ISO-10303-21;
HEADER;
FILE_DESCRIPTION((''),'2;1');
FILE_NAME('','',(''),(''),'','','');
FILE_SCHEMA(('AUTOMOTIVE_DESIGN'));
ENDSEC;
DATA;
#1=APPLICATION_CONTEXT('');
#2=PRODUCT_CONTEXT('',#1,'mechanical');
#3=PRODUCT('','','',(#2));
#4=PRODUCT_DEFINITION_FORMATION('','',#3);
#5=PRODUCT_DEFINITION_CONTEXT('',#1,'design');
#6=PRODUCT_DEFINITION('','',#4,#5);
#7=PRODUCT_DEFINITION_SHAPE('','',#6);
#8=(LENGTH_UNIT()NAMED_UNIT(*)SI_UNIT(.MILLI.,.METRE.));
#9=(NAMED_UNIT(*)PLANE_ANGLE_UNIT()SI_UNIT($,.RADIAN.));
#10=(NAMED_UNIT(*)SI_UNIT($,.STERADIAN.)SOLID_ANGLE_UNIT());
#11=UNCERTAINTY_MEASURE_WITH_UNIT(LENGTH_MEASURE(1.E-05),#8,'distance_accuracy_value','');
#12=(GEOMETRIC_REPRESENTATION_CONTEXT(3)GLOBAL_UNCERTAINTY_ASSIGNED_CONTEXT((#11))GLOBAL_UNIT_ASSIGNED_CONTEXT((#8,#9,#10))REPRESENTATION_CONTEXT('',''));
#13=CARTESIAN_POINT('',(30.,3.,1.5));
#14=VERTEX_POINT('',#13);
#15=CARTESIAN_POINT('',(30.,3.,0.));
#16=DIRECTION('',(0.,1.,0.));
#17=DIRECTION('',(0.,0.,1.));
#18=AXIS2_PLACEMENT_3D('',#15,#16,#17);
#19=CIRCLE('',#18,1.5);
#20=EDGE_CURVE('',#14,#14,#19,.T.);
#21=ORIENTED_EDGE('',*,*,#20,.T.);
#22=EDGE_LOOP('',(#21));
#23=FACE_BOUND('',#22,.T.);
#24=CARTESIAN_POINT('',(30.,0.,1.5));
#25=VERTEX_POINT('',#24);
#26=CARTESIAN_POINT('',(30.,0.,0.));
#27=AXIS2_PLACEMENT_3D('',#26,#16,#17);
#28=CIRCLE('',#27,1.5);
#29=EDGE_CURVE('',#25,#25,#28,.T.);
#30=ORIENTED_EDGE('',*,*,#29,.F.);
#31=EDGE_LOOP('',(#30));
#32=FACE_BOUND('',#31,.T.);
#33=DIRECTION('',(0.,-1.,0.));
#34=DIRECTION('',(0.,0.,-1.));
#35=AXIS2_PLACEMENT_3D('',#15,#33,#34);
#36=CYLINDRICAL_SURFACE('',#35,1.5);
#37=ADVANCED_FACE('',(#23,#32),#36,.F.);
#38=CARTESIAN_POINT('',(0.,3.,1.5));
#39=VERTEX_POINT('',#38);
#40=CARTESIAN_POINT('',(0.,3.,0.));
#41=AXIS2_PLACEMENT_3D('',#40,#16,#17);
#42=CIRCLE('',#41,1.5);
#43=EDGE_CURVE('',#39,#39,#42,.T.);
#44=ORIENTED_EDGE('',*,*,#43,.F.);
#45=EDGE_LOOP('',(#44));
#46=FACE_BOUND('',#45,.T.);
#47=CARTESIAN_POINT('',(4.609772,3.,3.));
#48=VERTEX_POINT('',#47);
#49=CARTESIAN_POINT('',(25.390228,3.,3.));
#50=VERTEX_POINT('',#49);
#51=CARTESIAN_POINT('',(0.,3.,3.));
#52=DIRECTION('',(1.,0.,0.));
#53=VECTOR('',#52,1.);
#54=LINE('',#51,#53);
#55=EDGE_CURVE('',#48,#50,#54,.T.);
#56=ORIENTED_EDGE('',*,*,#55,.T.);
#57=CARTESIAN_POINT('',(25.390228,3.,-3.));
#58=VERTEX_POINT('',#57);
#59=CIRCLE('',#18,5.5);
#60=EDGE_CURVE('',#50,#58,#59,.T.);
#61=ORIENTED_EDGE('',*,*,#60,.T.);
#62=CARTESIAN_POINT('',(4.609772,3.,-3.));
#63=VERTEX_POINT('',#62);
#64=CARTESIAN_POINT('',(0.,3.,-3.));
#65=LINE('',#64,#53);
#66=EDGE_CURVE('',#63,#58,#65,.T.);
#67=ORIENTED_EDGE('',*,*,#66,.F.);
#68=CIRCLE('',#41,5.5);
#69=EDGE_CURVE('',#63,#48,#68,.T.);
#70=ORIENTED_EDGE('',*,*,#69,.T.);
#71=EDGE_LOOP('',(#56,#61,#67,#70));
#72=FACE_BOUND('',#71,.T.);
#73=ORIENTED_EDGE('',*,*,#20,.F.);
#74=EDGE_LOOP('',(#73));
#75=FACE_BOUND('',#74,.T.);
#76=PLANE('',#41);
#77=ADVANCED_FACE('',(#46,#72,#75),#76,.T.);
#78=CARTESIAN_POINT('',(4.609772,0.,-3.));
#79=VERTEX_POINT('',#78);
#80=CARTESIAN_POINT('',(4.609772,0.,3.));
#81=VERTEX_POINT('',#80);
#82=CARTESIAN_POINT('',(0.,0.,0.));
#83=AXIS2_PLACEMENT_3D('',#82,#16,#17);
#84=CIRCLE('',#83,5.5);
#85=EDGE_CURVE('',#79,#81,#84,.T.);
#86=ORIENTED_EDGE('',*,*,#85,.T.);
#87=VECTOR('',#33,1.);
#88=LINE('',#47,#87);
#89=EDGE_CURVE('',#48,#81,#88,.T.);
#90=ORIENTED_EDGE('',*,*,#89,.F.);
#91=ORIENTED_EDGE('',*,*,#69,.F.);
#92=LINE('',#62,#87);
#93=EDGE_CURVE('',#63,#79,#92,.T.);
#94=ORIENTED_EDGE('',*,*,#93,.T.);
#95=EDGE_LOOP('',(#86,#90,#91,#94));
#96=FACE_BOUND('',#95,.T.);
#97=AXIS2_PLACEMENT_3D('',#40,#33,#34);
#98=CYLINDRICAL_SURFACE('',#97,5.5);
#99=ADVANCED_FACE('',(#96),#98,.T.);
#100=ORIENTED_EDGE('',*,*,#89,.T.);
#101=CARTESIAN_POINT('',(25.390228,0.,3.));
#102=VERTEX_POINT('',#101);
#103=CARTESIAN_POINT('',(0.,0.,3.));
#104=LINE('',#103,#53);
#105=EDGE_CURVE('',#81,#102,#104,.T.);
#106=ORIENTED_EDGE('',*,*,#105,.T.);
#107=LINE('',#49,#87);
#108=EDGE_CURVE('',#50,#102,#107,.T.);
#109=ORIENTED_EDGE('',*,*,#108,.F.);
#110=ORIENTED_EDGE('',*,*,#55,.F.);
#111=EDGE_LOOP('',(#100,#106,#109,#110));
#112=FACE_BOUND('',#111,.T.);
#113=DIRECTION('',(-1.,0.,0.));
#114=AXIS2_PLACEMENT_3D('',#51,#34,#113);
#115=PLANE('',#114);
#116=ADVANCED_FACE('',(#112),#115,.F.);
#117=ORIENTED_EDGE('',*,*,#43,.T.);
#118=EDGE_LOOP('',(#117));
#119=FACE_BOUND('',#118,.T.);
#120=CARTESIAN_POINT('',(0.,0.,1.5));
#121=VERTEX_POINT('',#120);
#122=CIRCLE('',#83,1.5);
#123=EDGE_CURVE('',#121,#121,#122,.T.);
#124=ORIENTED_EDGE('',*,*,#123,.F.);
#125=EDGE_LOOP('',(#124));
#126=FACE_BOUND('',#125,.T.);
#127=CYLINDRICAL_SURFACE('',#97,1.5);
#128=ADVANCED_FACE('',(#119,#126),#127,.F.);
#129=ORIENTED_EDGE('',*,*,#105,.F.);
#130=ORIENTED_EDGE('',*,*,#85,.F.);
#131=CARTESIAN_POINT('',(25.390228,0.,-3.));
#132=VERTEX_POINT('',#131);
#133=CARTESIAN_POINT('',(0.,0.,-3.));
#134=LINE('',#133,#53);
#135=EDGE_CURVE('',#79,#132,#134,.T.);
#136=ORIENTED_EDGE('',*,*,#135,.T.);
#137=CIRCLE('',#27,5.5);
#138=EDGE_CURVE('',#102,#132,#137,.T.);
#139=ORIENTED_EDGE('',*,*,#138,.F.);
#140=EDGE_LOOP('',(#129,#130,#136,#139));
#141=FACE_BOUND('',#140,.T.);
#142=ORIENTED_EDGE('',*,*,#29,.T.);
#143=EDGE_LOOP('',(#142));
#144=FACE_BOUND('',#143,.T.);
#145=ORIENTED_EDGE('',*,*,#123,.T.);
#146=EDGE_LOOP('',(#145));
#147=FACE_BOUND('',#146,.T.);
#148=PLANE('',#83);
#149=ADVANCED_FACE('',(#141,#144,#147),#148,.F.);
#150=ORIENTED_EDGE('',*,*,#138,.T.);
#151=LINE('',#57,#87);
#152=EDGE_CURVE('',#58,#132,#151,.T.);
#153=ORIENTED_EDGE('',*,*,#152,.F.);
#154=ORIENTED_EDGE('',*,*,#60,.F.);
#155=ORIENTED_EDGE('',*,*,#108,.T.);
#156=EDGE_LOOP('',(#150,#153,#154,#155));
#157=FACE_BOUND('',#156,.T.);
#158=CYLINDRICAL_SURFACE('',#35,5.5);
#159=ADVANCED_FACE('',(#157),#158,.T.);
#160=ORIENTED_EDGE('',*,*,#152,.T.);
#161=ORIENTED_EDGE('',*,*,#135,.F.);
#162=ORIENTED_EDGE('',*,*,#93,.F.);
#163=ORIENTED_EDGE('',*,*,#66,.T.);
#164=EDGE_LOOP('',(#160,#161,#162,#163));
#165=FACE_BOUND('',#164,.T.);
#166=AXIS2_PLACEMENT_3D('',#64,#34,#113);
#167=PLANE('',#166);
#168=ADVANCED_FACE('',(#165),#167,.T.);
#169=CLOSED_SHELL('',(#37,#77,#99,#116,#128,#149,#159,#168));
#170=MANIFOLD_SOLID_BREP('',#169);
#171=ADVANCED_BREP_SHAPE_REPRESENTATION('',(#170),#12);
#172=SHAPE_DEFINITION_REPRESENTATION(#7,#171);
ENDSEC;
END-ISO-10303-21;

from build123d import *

# Parameters (mm, degrees)
SKETCH1_R           = 1.5
BOSS_EXTRUDE1_DEPTH = 3


with BuildPart() as part:
    # Sketch1 → Boss-Extrude1 (new body)
    with BuildSketch(Plane(origin=(0, 0, 0), x_dir=(1, 0, 0), z_dir=(0, 1, 0))):
        with BuildLine():
            ThreePointArc((4.609772229, 3), (-5.5, 0), (4.609772229, -3))
            Line((4.609772229, -3), (25.390227771, -3))
            ThreePointArc((25.390227771, -3), (35.5, 0), (25.390227771, 3))
            Line((25.390227771, 3), (4.609772229, 3))
        make_face()
        Circle(SKETCH1_R, mode=Mode.SUBTRACT)
        with Locations((30, 0)):
            Circle(SKETCH1_R, mode=Mode.SUBTRACT)
    extrude(amount=BOSS_EXTRUDE1_DEPTH)


solid = part.part
